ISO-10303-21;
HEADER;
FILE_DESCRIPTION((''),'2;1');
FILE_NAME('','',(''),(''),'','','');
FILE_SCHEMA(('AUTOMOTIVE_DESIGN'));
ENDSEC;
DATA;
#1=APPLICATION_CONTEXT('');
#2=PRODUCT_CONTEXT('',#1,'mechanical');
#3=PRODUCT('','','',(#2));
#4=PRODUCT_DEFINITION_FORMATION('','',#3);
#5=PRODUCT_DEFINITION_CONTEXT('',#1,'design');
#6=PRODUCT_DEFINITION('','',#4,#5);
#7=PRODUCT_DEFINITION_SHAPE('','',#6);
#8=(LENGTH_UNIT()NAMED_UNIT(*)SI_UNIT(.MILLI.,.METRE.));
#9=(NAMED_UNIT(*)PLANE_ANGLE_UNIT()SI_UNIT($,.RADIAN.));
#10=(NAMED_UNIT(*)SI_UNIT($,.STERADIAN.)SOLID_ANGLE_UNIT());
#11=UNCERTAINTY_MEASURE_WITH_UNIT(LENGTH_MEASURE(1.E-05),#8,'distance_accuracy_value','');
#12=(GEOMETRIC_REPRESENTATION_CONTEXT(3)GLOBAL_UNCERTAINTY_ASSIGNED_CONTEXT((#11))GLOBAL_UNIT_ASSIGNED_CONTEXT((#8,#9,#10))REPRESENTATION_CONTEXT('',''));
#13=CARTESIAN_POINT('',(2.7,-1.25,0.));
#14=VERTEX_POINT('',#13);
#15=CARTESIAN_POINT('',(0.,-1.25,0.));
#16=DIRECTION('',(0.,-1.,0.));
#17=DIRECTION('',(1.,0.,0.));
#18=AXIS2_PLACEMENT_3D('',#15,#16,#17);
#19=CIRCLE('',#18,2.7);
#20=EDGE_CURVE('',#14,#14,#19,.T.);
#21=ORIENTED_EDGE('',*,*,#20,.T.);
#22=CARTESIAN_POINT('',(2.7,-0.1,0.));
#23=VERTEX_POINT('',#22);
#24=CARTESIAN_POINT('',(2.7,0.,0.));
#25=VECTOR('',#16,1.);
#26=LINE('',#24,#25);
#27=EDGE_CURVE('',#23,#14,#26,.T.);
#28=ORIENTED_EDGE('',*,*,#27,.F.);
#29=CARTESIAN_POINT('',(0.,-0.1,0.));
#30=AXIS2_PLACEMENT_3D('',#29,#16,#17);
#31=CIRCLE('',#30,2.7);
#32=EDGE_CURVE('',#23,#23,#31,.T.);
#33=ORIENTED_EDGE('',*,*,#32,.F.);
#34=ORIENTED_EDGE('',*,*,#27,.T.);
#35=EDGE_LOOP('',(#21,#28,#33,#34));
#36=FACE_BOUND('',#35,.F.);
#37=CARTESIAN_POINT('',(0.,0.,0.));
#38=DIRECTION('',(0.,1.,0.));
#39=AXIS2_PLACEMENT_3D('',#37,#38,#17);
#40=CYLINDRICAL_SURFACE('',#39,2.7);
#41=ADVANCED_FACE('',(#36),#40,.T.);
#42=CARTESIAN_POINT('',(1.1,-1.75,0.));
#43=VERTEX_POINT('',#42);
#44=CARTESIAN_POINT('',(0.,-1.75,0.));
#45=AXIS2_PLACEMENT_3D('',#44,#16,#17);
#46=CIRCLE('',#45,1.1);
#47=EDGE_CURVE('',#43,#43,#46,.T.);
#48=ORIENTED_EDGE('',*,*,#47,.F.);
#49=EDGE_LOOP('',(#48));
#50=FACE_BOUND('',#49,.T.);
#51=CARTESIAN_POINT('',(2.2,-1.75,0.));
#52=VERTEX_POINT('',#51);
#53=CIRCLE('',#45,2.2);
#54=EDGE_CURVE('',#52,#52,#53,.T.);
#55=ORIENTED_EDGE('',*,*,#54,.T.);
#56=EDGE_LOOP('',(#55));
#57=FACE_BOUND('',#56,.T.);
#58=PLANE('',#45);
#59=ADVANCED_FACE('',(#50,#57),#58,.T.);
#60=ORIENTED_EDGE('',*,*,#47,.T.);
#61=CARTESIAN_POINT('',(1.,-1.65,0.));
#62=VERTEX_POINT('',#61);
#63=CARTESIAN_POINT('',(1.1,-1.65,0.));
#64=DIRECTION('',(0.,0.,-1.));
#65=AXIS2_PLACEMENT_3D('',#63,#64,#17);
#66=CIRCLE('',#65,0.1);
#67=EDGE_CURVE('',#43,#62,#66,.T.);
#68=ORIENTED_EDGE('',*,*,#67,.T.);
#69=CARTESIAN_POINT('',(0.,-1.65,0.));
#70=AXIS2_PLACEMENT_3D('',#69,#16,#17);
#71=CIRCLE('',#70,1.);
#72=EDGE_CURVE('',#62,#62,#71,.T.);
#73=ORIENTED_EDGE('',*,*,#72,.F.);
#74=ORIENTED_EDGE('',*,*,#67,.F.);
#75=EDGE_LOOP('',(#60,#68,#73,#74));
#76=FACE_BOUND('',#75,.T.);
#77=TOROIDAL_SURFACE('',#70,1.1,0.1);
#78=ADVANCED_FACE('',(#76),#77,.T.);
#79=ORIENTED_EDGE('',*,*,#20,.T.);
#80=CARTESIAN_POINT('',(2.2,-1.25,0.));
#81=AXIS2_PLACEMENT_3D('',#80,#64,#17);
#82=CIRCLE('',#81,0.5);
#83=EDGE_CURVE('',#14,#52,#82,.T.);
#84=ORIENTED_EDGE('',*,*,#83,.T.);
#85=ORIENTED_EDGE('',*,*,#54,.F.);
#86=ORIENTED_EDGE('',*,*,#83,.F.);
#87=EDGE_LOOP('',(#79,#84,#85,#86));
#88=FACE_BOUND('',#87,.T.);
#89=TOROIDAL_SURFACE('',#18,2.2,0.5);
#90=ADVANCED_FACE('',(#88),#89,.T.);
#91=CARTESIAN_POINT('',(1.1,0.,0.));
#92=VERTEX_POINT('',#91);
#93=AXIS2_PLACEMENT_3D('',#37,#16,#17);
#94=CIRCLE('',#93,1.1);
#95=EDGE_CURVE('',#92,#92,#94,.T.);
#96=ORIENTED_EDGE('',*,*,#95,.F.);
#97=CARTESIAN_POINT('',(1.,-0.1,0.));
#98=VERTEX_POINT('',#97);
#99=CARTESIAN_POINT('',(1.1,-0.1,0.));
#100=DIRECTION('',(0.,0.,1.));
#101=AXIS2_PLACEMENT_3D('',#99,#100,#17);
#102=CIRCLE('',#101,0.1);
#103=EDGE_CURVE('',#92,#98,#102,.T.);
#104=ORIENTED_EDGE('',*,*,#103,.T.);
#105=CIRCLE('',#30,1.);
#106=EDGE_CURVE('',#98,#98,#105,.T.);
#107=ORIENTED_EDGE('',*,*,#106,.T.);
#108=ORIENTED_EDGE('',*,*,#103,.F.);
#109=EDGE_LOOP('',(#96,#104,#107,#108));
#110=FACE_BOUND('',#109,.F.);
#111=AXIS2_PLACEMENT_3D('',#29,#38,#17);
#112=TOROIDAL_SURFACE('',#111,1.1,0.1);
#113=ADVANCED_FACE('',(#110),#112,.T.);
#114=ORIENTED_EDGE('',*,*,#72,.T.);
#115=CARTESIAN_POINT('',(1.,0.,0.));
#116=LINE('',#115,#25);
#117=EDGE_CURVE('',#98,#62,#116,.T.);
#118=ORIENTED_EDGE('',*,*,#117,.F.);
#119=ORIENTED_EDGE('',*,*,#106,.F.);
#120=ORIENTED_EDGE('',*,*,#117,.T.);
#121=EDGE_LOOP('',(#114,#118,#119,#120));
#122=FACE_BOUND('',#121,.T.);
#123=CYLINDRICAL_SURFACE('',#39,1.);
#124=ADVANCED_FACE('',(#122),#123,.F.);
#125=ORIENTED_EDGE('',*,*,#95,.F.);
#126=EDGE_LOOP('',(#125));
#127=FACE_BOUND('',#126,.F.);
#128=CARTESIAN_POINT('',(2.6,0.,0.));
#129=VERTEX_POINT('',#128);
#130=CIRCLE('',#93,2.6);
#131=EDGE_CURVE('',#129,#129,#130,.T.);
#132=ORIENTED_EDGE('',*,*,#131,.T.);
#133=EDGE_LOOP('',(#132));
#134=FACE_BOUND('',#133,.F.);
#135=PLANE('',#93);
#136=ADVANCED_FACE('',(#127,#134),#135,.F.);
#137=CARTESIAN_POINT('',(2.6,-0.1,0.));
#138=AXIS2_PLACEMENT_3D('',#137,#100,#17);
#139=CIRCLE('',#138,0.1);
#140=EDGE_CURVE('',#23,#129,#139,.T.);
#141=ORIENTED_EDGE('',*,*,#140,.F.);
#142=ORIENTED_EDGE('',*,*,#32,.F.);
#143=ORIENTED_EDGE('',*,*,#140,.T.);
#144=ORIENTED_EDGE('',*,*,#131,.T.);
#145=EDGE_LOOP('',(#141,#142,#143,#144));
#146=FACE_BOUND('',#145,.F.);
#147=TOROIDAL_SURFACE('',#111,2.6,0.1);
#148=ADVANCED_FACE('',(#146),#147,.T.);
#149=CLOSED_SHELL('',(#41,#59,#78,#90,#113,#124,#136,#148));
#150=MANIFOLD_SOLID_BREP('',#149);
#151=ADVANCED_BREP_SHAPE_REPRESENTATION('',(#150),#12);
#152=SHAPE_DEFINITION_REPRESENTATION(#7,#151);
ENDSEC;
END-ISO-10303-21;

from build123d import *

# Parameters (mm, degrees)
F0_R     = 2.7
F0_R_2   = 1
F1_DEPTH = 1.75
F2_R     = 0.5
F3_R     = 0.1


with BuildPart() as f1:
    # F0 (on Front) → F1 (new body)
    with BuildSketch(Plane.XZ):
        Circle(F0_R)
        Circle(F0_R_2, mode=Mode.SUBTRACT)
    extrude(amount=F1_DEPTH)

    # F2
    f2_edges = [f1.edges().sort_by_distance(p)[0] for p in [
        (-2.7, -1.75, 0),
    ]]
    fillet(f2_edges, radius=F2_R)

    # F3
    f3_edges = [f1.edges().sort_by_distance(p)[0] for p in [
        (-1, -1.75, 0),
        (-2.7, 0, 0),
        (-1, 0, 0),
    ]]
    fillet(f3_edges, radius=F3_R)


solid = f1.part
